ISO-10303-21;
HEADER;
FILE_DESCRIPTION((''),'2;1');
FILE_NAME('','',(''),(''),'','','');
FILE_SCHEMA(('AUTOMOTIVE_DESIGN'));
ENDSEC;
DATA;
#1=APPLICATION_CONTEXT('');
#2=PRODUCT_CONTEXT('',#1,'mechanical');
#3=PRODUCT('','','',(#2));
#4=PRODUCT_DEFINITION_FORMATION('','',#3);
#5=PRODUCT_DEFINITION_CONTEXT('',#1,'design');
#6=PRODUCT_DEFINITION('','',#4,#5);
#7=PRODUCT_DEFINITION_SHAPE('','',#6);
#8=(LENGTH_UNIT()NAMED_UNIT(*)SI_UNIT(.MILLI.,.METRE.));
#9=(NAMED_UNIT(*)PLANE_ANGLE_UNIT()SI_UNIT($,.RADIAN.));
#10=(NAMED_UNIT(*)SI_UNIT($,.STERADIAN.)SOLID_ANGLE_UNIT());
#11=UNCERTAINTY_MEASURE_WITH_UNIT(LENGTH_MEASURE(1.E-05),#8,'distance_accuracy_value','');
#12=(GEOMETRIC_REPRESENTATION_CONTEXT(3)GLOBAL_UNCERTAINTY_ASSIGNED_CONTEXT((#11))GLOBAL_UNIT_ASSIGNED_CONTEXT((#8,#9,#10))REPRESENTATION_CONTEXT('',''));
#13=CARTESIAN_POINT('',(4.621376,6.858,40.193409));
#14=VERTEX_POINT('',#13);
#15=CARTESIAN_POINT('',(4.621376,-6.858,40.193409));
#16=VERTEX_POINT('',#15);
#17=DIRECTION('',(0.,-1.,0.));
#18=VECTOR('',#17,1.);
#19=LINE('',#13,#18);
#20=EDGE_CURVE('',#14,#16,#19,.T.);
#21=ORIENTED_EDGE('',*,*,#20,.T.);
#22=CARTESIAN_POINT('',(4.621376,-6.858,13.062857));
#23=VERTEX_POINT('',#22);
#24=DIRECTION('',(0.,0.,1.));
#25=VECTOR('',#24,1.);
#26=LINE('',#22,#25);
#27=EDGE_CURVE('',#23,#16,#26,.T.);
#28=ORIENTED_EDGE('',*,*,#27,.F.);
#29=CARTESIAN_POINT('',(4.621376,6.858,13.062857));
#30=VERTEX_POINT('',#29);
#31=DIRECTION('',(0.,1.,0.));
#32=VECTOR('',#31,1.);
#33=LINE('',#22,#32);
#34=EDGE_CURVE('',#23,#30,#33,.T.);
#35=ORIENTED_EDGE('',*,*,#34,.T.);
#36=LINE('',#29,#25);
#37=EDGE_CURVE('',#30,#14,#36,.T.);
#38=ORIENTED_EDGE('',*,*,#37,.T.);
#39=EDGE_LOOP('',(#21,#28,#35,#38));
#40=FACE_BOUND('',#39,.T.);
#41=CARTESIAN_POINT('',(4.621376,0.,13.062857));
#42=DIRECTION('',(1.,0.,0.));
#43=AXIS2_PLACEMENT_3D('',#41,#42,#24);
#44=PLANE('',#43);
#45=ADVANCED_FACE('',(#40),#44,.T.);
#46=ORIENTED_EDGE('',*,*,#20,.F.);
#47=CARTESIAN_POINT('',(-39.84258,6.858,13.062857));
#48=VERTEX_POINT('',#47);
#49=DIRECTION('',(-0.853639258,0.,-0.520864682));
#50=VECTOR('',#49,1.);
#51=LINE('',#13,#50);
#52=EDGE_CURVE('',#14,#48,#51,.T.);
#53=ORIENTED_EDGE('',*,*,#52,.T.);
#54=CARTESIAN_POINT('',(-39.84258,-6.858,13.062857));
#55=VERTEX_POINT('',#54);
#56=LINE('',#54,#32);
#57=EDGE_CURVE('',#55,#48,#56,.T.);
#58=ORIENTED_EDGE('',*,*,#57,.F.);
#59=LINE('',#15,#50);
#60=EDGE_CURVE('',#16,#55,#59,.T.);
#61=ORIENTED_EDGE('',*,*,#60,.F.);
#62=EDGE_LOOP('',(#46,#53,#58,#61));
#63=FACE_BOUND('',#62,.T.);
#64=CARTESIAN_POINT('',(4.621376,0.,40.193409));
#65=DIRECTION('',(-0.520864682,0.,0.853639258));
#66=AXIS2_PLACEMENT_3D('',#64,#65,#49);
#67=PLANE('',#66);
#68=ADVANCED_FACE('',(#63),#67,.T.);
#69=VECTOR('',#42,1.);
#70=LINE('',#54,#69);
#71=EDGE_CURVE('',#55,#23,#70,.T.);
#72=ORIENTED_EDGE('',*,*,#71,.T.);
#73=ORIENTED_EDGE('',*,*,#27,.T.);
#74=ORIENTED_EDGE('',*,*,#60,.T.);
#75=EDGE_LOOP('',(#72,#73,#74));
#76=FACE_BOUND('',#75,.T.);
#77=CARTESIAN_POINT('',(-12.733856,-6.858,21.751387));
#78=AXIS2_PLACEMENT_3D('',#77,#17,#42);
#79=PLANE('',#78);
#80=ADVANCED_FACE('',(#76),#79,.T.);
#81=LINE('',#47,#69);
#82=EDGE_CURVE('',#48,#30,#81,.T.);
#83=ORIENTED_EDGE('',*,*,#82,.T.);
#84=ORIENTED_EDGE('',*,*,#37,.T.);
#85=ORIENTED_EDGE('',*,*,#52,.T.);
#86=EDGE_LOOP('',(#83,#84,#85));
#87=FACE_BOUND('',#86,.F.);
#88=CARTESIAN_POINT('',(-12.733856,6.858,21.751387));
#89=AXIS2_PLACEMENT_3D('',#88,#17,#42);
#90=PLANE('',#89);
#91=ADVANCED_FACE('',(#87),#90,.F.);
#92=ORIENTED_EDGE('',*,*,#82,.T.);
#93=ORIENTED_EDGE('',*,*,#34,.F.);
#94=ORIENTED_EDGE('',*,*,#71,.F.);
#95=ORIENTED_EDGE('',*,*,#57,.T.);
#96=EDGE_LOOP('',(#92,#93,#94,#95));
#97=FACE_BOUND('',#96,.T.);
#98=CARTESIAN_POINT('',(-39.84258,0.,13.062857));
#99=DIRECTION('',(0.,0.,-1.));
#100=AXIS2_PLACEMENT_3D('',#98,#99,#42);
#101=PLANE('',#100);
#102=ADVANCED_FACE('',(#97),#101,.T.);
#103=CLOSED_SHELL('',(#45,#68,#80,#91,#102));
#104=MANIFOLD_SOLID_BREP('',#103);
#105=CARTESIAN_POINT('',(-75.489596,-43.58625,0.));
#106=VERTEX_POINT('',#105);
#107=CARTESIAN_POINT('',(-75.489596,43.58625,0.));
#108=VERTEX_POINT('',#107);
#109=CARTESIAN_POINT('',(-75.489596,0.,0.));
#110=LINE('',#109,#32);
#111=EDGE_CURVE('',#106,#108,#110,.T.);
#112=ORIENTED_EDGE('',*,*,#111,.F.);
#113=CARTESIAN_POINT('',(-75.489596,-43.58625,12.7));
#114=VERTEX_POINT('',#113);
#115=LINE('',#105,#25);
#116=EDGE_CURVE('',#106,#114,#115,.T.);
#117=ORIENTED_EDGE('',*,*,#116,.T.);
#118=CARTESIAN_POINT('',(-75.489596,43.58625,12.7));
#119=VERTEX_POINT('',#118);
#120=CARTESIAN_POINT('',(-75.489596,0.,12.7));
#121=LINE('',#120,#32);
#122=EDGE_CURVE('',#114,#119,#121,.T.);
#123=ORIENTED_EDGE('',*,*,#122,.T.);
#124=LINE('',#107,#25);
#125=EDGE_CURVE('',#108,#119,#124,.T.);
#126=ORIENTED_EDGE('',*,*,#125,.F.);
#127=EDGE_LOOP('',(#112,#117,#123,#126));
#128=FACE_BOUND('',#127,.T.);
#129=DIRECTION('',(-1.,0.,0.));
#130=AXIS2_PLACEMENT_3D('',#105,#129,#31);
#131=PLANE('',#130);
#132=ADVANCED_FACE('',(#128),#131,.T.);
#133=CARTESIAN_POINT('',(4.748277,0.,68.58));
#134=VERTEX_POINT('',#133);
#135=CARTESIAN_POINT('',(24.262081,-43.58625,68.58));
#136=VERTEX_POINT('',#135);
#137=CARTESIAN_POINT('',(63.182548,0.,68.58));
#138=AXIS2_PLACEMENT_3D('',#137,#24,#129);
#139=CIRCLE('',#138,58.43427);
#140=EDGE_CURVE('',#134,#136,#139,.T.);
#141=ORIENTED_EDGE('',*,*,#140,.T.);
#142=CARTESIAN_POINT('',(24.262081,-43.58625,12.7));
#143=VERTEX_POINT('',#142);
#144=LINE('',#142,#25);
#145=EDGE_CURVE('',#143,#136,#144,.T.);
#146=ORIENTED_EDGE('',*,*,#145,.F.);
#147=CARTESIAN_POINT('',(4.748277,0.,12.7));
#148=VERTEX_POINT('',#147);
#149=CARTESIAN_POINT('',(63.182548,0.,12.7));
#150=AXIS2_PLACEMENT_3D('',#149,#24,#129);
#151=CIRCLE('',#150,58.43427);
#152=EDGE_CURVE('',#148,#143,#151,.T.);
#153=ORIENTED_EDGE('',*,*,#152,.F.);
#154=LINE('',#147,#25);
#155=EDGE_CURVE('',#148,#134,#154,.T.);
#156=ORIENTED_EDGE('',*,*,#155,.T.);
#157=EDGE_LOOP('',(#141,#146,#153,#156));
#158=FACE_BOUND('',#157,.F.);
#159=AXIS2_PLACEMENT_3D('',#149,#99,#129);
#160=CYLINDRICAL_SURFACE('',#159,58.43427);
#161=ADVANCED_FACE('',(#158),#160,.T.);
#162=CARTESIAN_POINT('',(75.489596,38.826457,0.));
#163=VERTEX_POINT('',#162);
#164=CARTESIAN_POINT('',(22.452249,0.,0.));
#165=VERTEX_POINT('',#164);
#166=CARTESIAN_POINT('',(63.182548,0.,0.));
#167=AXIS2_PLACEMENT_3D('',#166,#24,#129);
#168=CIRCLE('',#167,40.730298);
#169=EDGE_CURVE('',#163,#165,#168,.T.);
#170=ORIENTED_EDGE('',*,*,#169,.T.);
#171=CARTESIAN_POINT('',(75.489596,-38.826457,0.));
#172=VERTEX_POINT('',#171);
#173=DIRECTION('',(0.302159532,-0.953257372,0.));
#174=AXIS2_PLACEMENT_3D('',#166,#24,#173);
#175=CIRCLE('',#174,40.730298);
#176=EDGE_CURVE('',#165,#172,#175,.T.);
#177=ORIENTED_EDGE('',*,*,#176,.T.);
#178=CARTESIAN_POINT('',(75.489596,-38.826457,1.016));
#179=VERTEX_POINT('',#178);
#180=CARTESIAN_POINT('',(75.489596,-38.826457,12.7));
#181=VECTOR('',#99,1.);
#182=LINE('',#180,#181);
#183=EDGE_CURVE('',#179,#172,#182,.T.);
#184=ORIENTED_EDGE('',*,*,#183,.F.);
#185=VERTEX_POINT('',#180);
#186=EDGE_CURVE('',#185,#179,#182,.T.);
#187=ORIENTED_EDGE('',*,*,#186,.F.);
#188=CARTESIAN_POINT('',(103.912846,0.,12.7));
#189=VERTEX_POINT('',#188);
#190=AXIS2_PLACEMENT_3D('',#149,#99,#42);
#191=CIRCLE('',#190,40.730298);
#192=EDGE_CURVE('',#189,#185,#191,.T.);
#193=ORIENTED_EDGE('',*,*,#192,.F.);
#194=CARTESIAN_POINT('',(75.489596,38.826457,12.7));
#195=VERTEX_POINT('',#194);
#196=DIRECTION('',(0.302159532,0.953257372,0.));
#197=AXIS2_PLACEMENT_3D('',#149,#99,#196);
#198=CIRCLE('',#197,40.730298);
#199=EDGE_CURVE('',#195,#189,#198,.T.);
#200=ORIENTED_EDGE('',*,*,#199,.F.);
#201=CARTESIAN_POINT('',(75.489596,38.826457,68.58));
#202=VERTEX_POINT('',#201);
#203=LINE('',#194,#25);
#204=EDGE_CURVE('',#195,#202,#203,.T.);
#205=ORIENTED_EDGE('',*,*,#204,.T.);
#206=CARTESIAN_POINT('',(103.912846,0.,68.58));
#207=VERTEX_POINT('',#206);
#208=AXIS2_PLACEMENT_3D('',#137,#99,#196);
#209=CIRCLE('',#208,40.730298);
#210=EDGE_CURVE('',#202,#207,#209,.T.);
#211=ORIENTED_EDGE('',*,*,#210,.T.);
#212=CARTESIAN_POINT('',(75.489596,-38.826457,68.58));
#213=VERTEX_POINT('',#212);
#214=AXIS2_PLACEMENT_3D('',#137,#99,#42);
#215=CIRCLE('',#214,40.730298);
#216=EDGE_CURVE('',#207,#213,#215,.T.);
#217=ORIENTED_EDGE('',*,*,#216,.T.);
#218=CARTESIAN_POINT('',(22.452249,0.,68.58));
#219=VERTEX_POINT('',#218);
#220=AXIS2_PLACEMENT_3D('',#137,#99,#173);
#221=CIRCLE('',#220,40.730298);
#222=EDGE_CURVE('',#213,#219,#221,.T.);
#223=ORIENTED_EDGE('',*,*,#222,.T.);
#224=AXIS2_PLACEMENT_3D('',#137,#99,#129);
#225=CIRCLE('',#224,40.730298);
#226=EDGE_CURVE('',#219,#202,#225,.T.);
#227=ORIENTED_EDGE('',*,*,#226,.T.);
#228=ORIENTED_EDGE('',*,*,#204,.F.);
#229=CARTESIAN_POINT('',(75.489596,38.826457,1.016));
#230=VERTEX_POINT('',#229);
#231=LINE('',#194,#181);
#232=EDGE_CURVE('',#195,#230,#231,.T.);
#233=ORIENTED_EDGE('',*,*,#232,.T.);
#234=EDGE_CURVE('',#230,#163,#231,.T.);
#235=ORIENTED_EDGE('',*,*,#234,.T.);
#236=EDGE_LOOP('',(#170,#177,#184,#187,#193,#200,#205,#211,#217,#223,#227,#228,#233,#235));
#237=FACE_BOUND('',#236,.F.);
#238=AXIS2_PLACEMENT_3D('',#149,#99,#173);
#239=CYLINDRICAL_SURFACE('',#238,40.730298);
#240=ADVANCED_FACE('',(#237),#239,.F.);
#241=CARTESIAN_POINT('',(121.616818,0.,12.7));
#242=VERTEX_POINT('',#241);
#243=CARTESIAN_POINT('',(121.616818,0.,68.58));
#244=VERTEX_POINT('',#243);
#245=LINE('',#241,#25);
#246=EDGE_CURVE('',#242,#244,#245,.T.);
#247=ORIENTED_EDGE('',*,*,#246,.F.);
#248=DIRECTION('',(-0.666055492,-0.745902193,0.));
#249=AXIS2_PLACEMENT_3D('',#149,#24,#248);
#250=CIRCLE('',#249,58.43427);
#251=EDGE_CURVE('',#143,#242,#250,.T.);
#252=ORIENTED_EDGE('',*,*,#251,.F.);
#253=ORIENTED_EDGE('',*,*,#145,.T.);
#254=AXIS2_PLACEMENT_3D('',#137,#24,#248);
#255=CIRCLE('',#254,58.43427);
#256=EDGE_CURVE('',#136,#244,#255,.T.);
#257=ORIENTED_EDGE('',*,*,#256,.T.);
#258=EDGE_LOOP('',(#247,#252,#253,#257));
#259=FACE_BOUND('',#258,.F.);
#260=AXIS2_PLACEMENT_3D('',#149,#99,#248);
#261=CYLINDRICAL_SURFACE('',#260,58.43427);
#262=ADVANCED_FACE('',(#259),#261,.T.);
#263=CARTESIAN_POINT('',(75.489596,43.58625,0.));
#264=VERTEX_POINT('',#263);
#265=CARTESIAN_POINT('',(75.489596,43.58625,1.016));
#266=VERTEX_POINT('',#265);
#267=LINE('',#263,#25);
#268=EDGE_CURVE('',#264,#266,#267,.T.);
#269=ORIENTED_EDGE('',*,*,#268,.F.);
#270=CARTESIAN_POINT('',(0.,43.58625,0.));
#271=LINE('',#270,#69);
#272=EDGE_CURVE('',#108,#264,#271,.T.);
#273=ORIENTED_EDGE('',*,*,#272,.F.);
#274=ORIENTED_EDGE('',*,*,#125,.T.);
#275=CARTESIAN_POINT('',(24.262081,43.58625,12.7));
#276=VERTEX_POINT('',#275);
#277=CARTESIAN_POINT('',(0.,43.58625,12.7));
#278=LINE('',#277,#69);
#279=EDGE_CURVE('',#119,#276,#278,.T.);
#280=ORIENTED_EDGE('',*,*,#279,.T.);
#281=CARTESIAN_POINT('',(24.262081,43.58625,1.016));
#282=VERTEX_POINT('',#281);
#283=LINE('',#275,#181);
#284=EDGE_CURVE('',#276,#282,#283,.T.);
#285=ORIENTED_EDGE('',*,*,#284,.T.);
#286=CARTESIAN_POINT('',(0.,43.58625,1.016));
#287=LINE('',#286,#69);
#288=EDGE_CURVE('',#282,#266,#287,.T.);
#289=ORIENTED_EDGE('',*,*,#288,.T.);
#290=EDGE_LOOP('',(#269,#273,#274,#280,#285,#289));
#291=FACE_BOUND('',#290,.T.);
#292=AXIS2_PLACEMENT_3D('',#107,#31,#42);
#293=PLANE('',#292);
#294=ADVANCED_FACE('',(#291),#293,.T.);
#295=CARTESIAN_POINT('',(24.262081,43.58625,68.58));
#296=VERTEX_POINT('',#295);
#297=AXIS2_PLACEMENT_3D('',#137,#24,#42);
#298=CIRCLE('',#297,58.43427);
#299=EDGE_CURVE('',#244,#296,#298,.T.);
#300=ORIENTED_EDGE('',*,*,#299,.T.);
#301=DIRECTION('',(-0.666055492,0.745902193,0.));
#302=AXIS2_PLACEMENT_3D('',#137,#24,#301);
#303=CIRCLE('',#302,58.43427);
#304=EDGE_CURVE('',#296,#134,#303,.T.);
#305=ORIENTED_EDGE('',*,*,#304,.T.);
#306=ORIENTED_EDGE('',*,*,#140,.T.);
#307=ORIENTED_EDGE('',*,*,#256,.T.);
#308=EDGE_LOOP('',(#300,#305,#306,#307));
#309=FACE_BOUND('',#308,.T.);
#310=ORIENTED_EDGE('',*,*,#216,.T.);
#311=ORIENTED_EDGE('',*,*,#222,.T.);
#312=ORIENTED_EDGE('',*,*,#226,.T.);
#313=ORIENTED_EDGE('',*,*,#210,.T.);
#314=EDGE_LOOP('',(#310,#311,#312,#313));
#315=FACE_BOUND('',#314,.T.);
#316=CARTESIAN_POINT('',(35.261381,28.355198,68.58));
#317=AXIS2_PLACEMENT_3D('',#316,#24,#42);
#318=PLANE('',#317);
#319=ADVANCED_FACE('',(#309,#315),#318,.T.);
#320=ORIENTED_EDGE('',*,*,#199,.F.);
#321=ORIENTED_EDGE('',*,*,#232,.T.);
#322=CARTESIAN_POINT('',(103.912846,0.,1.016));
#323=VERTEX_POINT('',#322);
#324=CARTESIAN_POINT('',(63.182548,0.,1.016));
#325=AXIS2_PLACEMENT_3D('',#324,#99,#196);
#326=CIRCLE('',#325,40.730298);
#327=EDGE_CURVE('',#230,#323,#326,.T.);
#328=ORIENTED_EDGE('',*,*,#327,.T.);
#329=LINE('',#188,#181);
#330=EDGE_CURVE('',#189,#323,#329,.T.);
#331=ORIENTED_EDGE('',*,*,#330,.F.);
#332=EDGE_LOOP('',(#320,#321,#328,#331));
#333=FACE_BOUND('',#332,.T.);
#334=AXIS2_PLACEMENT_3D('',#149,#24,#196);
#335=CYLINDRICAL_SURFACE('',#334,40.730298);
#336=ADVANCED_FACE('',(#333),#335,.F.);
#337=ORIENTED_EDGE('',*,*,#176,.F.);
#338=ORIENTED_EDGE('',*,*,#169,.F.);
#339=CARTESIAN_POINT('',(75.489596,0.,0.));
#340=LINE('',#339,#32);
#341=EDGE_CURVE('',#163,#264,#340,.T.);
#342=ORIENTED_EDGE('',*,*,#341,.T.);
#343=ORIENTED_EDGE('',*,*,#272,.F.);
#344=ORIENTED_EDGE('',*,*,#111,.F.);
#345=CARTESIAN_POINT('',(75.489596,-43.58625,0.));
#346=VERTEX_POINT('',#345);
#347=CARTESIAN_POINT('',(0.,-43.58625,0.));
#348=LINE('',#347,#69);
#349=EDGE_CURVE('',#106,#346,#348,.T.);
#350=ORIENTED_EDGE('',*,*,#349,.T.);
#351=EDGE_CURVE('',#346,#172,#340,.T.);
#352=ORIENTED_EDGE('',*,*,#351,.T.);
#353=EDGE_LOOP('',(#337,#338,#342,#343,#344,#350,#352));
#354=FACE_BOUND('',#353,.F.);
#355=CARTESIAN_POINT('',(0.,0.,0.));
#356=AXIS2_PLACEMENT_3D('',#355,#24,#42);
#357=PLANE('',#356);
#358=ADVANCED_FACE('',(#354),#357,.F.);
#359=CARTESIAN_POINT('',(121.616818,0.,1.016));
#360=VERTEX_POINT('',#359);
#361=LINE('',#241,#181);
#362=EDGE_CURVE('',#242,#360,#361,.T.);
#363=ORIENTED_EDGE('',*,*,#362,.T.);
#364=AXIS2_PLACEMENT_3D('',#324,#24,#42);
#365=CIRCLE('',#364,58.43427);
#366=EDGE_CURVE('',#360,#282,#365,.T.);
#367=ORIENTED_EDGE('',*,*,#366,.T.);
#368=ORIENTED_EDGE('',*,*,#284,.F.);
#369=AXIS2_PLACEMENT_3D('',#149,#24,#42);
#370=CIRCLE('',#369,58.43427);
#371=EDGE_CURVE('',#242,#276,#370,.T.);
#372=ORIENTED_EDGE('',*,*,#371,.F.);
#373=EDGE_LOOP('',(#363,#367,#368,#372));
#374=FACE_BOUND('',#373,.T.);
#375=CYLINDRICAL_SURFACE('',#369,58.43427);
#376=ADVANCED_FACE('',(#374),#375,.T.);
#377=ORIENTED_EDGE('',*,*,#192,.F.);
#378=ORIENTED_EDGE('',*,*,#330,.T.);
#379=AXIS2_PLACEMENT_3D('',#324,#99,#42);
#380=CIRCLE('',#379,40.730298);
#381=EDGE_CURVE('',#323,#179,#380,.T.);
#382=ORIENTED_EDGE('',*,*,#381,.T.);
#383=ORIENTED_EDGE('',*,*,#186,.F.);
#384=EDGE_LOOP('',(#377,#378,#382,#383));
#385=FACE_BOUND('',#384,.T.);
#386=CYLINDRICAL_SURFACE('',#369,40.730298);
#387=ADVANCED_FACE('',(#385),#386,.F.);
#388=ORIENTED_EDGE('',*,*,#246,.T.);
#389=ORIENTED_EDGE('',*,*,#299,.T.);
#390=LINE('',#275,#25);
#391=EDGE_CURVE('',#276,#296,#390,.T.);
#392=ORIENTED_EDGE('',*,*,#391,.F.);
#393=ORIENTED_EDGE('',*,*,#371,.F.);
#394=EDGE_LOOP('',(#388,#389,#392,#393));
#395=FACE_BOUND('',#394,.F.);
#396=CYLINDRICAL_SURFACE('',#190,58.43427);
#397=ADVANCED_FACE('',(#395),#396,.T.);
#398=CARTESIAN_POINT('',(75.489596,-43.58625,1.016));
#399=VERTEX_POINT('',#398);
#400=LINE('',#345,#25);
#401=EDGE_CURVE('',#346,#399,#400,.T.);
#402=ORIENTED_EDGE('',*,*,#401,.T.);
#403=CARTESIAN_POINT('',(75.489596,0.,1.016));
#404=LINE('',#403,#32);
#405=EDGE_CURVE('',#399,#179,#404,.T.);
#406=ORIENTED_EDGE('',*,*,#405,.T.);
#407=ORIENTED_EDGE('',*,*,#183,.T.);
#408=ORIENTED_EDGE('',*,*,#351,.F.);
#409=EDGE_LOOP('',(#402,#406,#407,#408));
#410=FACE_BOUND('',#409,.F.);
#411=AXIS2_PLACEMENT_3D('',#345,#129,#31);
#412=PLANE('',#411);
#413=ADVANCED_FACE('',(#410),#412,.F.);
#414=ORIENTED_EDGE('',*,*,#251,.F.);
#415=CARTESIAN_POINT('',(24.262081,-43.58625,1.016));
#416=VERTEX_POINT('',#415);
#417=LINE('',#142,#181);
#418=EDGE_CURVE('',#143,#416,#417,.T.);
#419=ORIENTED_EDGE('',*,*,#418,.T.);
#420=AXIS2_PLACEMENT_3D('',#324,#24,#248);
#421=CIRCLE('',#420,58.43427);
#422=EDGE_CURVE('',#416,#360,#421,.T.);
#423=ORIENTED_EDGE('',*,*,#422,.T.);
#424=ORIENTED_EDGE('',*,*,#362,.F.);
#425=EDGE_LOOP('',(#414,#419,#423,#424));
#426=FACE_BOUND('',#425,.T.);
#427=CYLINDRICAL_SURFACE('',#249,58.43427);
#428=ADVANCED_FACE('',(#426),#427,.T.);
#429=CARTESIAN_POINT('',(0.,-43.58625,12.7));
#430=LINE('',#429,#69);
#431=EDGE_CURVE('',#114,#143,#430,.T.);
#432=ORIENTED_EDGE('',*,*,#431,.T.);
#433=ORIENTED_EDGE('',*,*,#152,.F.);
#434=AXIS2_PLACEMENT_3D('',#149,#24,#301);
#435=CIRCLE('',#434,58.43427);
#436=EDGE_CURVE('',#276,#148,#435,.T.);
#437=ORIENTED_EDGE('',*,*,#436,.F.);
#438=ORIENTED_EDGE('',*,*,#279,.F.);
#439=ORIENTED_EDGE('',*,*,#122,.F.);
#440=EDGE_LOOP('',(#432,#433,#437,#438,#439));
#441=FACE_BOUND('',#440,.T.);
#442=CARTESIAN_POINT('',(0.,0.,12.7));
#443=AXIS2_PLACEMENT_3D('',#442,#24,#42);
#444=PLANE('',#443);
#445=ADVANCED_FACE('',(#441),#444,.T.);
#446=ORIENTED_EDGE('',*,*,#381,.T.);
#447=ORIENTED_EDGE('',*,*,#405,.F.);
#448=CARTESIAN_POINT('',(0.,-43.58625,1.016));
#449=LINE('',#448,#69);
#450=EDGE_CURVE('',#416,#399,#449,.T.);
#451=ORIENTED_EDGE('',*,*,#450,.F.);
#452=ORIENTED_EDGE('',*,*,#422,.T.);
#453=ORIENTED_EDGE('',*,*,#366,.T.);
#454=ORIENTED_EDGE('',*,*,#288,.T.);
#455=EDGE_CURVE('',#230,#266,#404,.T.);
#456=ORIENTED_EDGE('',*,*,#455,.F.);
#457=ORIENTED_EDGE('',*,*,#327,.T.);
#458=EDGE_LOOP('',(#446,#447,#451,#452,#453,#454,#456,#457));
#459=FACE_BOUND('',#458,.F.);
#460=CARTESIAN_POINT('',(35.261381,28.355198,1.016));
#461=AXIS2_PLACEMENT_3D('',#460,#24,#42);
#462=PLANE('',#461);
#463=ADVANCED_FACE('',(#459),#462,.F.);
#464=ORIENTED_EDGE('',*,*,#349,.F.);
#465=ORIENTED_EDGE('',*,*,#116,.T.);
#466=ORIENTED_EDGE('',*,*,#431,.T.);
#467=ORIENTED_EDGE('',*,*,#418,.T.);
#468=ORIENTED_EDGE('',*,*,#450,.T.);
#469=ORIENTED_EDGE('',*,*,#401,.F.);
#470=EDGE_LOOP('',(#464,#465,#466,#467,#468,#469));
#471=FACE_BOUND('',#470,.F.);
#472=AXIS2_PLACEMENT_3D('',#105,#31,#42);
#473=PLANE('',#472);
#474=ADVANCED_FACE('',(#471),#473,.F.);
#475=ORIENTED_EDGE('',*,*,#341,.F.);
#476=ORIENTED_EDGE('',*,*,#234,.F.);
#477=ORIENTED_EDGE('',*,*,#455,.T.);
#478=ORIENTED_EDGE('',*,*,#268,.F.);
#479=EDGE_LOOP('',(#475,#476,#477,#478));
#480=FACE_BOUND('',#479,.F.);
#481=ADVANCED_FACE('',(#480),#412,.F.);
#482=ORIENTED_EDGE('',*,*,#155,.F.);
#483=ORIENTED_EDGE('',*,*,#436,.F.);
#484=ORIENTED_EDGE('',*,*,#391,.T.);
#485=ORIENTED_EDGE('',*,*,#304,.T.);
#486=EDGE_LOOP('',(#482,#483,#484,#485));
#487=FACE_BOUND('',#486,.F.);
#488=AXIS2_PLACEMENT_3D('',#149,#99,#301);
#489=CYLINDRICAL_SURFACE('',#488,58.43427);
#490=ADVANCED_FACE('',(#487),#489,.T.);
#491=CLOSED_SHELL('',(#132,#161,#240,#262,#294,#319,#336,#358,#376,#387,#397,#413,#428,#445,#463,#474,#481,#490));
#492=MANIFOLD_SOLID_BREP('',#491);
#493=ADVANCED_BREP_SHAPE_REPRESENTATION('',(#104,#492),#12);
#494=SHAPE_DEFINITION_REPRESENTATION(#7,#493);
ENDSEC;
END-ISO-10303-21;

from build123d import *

# Parameters (mm, degrees)
F0_W     = 150.9791910648
F0_H     = 87.1725007892
F1_DEPTH = 12.7
F3_DEPTH = 55.88
F4_DEPTH = 452.12
F5_DEPTH = 11.684
F7_DEPTH = 6.858


with BuildPart() as f1:
    # F0 (on Top) → F1 (new body)
    with BuildSketch(Plane.XY):
        Rectangle(F0_W, F0_H)
    extrude(amount=F1_DEPTH)

    # F2 (on face) → F3 (join)
    with BuildSketch(Plane.XY.offset(12.7)):
        with BuildLine():
            ThreePointArc((24.2620809747, 43.5862503946), (9.8493824569, 23.8775509436), (4.748277327, 0))
            Line((4.748277327, 0), (22.4522494397, 0))
            ThreePointArc((22.4522494397, 0), (39.123376192, 32.8650796795), (75.4895955324, 38.8264570725))
            Line((75.4895955324, 38.8264570725), (75.4895955324, 43.5862503946))
            Line((75.4895955324, 43.5862503946), (24.2620809747, 43.5862503946))
        make_face()
        with BuildLine():
            Line((22.4522494397, 0), (4.748277327, 0))
            ThreePointArc((4.748277327, 0), (9.8493824569, -23.8775509436), (24.2620809747, -43.5862503946))
            Line((24.2620809747, -43.5862503946), (75.4895955324, -43.5862503946))
            Line((75.4895955324, -43.5862503946), (75.4895955324, -38.8264570725))
            ThreePointArc((75.4895955324, -38.8264570725), (39.123376192, -32.8650796795), (22.4522494397, 0))
        make_face()
        with BuildLine():
            ThreePointArc((121.61681805, 0), (87.0600986321, 53.3331652316), (24.2620809747, 43.5862503946))
            Line((24.2620809747, 43.5862503946), (75.4895955324, 43.5862503946))
            Line((75.4895955324, 43.5862503946), (75.4895955324, 38.8264570725))
            ThreePointArc((75.4895955324, 38.8264570725), (96.047627368, 24.0591714965), (103.9128459373, 0))
            ThreePointArc((103.9128459373, 0), (96.047627368, -24.0591714965), (75.4895955324, -38.8264570725))
            Line((75.4895955324, -38.8264570725), (75.4895955324, -43.5862503946))
            Line((75.4895955324, -43.5862503946), (24.2620809747, -43.5862503946))
            ThreePointArc((24.2620809747, -43.5862503946), (87.0600986321, -53.3331652316), (121.61681805, 0))
        make_face()
    extrude(amount=F3_DEPTH)

    # F4 (cut): a face of the model
    f4_faces = [f1.faces().sort_by_distance(p)[0] for p in [
        (52.3222775946, 0, 12.7),
    ]]
    extrude(f4_faces, amount=-F4_DEPTH, mode=Mode.SUBTRACT)

    # F5 (add): a face of the model
    f5_faces = [f1.faces().sort_by_distance(p)[0] for p in [
        (49.8758382535, -45.1073092574, 12.7),
    ]]
    extrude(f5_faces, amount=F5_DEPTH)


with BuildPart() as f7:
    # F6 (on Front) → F7 (new body, symmetric)
    with BuildSketch(Plane.XZ):
        Polygon((4.6213758178, 13.0628570914), (4.6213758178, 40.1934087276), (-39.8425795138, 13.0628570914), align=None)
    extrude(amount=F7_DEPTH, both=True)


solid = Compound([f1.part, f7.part])
